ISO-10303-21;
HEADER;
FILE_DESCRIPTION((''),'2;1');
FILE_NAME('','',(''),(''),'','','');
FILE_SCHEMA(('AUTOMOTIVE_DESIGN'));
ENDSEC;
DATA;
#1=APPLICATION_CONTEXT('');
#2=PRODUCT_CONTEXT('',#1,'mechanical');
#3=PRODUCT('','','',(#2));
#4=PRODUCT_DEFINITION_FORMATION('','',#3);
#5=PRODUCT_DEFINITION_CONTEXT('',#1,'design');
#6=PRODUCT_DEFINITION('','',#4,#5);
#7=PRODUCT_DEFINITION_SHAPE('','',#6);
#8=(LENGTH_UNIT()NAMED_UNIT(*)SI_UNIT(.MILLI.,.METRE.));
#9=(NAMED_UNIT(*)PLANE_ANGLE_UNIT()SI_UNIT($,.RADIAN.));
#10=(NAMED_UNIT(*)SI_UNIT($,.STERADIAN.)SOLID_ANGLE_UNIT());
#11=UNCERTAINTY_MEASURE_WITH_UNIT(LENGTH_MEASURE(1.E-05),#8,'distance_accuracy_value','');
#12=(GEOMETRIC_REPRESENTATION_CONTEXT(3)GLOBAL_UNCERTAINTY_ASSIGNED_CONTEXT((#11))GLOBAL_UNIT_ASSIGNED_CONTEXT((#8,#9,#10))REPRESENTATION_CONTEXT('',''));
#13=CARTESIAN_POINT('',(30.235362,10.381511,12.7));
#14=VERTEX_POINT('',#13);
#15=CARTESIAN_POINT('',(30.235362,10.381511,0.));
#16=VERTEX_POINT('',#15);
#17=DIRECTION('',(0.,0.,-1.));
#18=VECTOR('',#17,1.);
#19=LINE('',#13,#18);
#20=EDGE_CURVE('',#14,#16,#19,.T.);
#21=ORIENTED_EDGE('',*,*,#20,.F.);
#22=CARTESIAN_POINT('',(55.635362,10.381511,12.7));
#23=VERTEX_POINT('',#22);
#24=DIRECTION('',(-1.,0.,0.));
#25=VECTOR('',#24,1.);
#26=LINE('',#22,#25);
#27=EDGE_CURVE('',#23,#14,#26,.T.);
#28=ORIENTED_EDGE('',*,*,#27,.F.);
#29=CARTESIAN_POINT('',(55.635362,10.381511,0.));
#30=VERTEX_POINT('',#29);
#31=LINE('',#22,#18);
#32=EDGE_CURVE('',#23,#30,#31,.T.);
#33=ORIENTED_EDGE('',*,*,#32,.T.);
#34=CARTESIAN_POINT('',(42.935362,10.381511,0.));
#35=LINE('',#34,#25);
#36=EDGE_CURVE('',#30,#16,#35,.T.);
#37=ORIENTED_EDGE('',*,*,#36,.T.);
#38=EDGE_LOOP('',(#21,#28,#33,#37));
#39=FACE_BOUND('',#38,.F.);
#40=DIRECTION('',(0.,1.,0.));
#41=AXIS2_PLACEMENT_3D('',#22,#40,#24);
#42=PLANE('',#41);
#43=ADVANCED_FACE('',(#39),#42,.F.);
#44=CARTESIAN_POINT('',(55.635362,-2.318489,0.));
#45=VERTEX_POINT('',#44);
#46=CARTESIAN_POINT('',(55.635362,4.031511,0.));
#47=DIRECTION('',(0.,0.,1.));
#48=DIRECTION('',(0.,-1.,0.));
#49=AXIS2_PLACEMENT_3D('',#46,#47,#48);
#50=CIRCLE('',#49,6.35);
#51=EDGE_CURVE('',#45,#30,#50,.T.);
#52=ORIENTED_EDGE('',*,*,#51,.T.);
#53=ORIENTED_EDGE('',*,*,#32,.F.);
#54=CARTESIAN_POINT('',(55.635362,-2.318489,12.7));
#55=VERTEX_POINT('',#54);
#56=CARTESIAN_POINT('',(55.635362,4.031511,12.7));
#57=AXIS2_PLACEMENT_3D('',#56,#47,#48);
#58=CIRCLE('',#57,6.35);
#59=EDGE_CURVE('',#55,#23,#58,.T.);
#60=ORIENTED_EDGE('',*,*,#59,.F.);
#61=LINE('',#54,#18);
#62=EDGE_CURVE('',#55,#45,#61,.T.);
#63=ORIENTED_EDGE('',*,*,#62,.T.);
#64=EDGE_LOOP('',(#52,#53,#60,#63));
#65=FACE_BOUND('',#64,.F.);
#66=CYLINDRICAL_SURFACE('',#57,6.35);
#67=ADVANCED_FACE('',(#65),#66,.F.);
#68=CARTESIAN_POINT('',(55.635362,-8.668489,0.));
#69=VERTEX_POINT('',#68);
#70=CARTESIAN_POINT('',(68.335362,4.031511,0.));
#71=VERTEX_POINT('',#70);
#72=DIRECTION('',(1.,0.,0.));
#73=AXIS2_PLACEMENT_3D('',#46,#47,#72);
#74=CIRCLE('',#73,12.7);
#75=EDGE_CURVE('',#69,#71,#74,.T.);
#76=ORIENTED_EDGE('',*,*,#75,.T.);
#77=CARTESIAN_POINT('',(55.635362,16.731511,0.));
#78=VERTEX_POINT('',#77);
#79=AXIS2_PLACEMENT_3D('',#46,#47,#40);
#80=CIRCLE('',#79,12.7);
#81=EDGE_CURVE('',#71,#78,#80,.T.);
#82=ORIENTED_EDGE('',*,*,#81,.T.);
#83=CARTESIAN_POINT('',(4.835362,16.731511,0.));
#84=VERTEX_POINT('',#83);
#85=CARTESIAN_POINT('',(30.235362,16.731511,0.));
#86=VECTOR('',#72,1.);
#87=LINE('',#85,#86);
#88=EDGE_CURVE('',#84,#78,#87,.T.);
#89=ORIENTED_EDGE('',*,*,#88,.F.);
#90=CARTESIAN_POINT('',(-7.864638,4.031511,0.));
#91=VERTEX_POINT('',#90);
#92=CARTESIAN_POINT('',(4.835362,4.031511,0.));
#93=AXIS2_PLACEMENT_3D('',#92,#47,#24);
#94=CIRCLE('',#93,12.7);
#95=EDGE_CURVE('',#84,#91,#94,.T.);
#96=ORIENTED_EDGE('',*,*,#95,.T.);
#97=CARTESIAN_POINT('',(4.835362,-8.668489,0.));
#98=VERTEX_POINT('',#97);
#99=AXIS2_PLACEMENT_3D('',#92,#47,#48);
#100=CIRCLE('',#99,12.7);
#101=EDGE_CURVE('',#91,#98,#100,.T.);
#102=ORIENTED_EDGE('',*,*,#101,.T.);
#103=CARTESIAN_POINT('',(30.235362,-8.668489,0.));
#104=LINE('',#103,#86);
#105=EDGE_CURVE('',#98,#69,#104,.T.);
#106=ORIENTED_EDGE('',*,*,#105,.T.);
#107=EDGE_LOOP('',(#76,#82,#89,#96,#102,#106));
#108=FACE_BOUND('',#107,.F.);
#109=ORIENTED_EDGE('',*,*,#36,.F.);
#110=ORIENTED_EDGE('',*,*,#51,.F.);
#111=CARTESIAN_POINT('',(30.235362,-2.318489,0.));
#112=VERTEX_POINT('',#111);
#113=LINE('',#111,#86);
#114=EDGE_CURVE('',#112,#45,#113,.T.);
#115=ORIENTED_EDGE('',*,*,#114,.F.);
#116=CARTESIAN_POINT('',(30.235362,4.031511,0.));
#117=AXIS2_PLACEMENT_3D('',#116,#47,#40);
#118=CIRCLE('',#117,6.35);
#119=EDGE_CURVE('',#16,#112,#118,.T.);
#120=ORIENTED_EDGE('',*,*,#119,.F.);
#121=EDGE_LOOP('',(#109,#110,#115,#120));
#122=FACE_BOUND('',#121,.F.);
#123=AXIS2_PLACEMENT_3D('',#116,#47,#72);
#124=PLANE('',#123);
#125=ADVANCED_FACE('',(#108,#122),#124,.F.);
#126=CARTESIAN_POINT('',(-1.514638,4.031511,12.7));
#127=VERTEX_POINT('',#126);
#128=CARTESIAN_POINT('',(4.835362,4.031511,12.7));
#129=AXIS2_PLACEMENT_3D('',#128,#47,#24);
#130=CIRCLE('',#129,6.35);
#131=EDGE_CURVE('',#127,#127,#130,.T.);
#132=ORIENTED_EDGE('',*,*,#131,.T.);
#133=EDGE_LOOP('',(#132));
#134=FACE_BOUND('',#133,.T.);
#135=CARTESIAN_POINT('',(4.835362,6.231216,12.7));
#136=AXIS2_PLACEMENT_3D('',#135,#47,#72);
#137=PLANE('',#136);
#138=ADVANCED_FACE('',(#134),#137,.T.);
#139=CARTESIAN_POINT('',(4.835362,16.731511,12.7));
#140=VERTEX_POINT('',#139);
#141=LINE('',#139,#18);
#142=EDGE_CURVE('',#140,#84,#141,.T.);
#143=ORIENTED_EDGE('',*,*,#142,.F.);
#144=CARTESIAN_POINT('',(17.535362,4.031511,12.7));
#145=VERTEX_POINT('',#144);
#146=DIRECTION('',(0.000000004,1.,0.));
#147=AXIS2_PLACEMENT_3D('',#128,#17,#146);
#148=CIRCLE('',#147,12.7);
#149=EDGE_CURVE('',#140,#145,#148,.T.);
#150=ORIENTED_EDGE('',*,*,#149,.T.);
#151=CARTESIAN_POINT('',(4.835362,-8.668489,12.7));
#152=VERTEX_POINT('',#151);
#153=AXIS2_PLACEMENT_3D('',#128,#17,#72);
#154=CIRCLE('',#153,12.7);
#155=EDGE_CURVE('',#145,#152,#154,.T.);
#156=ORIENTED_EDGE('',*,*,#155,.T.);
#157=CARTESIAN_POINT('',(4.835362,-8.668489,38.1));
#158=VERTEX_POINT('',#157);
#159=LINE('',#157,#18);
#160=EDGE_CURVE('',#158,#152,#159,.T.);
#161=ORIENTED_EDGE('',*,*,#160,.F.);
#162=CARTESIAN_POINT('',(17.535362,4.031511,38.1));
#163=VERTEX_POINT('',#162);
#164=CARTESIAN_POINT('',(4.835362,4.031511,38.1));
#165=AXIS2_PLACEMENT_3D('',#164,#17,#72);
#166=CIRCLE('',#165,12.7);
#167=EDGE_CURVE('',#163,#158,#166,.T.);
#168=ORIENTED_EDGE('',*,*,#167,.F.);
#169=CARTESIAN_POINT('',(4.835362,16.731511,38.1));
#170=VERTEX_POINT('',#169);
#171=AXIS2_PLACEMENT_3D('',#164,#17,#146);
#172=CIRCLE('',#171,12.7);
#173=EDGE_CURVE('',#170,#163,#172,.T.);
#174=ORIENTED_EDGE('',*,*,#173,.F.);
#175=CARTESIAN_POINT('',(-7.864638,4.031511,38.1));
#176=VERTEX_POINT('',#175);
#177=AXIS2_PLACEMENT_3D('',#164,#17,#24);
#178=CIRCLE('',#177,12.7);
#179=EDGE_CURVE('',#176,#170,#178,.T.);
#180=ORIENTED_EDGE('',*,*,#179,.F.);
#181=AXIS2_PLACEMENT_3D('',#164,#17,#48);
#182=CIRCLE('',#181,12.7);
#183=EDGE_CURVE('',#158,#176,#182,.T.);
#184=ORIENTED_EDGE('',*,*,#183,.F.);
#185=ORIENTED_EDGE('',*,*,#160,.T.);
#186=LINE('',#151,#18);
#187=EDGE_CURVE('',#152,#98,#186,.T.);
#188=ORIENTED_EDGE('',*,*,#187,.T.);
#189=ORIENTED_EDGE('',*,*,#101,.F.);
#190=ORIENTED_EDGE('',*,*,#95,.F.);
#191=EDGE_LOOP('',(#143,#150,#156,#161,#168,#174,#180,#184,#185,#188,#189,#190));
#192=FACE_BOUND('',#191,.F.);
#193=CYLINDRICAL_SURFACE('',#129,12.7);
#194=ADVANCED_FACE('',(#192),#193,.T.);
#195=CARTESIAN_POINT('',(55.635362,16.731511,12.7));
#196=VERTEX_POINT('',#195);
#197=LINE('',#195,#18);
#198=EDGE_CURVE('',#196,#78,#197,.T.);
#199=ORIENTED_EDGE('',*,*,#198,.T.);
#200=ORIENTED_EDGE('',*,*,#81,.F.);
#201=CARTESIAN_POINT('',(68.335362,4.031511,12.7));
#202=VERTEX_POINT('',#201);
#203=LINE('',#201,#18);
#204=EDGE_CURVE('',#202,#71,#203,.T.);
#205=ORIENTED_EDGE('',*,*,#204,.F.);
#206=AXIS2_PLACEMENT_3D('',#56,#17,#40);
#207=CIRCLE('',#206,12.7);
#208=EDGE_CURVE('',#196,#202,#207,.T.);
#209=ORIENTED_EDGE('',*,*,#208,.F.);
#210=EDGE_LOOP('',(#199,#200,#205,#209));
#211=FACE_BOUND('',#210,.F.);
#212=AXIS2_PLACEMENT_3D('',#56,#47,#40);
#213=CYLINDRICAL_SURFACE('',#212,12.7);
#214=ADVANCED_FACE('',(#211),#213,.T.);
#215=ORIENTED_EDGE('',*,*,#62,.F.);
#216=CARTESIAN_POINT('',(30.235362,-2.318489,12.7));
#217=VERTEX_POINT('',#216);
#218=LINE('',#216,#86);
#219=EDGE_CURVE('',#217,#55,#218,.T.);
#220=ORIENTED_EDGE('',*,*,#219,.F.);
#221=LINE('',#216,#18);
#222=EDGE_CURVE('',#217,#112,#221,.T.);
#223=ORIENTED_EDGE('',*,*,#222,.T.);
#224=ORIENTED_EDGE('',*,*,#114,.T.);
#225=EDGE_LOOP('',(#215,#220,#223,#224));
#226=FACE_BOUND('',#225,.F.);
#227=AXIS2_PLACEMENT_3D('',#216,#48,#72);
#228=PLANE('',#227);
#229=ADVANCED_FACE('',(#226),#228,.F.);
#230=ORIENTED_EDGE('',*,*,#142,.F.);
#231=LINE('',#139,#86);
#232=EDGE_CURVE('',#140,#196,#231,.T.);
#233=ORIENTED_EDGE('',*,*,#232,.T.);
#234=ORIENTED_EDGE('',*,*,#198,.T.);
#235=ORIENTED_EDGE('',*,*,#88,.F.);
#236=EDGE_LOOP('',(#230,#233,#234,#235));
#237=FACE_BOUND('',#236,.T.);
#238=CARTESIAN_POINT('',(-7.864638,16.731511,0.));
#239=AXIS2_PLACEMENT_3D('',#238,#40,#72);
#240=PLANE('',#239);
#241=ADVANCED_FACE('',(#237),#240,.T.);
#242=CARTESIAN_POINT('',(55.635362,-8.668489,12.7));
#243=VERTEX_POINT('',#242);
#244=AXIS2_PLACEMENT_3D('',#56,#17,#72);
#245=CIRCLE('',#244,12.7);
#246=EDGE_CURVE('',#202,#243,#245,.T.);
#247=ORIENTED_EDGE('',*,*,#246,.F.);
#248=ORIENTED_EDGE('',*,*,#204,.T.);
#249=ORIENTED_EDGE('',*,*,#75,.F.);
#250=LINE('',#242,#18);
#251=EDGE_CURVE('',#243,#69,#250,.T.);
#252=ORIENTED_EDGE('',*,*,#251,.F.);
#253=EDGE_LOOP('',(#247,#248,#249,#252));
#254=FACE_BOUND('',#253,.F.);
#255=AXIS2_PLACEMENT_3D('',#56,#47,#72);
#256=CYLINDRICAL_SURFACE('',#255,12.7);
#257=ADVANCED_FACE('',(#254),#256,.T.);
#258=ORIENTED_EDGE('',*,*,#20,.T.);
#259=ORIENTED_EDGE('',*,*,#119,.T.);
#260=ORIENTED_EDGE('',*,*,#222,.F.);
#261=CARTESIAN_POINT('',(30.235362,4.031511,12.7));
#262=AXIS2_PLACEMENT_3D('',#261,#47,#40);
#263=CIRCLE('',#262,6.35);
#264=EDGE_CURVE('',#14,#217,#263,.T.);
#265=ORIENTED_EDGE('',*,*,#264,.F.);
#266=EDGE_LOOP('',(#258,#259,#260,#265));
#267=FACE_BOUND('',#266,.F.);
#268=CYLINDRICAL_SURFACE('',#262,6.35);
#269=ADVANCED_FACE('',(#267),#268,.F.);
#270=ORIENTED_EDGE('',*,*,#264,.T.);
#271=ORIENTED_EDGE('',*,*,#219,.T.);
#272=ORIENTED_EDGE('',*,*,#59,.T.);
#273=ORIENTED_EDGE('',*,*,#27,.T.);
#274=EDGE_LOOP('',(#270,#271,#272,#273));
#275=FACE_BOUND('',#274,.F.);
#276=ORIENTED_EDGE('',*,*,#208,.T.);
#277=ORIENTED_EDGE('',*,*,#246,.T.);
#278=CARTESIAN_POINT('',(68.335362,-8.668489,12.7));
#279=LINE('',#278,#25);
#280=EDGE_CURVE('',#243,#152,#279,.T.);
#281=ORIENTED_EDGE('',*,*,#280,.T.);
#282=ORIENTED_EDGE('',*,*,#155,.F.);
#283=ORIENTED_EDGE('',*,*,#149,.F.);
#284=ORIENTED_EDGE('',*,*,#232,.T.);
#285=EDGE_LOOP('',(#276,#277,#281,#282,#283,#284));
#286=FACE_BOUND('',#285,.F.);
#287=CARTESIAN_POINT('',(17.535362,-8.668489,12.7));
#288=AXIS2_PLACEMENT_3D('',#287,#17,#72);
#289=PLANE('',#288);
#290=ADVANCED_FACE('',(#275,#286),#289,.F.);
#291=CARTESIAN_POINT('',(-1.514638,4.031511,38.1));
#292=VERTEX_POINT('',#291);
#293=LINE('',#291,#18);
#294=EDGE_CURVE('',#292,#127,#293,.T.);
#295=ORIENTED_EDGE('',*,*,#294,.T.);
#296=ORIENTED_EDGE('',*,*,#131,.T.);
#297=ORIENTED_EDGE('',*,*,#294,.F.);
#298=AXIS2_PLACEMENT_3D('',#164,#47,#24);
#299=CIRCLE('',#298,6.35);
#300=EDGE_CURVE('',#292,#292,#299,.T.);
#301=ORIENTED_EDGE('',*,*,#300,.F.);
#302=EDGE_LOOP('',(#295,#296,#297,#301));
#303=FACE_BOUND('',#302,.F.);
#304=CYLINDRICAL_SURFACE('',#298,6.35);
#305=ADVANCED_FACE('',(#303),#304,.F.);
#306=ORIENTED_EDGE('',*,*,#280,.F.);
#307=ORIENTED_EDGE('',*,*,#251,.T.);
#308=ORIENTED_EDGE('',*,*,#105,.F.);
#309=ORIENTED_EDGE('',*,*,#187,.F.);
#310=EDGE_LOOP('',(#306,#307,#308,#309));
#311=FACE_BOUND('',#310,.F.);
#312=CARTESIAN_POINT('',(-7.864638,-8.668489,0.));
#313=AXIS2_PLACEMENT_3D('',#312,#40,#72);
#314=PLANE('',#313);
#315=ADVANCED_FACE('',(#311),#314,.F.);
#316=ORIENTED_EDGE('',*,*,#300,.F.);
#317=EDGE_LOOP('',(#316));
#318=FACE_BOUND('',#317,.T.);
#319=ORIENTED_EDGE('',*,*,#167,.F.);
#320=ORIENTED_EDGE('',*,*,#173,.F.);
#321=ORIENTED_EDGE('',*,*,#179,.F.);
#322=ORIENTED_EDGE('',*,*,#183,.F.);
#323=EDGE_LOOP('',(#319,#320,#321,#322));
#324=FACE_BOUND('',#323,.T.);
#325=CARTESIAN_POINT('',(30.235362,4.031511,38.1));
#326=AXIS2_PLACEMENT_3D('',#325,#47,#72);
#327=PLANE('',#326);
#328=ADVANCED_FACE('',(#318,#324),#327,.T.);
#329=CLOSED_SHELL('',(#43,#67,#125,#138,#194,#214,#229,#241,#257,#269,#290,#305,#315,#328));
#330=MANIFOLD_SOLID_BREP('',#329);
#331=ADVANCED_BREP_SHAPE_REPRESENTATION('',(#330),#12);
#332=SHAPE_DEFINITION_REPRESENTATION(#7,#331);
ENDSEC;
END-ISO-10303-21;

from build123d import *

# Parameters (mm, degrees)
F0_W      = 76.2
F0_H      = 25.4
F1_DEPTH  = 38.1
F2_W      = 50.8
F2_H      = 25.4
F3_DEPTH  = 25.4
F5_DEPTH  = 25.4
F7_DEPTH  = 25.4
F8_DEPTH  = 25.4
F10_DEPTH = 25.4
F12_DEPTH = 25.4


with BuildPart() as f1:
    # F0 (on Top) → F1 (new body)
    with BuildSketch(Plane.XY):
        with Locations((30.2353623112, 4.0315114893)):
            Rectangle(F0_W, F0_H)
    extrude(amount=F1_DEPTH)

    # F2 (on face) → F3 (cut)
    with BuildSketch(Plane.XZ.offset(8.6684885107)):
        with Locations((42.9353623112, 25.4)):
            Rectangle(F2_W, F2_H)
    extrude(amount=-F3_DEPTH, mode=Mode.SUBTRACT)

    # F4 (on face) → F5 (cut)
    with BuildSketch(Plane.XY.offset(38.1)):
        with BuildLine():
            ThreePointArc((11.1853623112, 4.0315114893), (4.8353623112, 10.3815114893), (-1.5146376888, 4.0315114893))
            Line((-1.5146376888, 4.0315114893), (11.1853623112, 4.0315114893))
        make_face()
        with BuildLine():
            Line((11.1853623112, 4.0315114893), (-1.5146376888, 4.0315114893))
            ThreePointArc((-1.5146376888, 4.0315114893), (4.8353623112, -2.3184885107), (11.1853623112, 4.0315114893))
        make_face()
    extrude(amount=-F5_DEPTH, mode=Mode.SUBTRACT)

    # F6 (on face) → F7 (cut)
    with BuildSketch(Plane.XY.offset(38.1)):
        with BuildLine():
            ThreePointArc((-7.8646376888, 4.0315114893), (-4.1448937926, 13.0117676276), (4.8353623599, 16.7315114893))
            Line((4.8353623599, 16.7315114893), (-7.8646376888, 16.7315114893))
            Line((-7.8646376888, 16.7315114893), (-7.8646376888, 4.0315114893))
        make_face()
        with BuildLine():
            Line((-7.8646376888, -8.6684885107), (4.8353623112, -8.6684885107))
            ThreePointArc((4.8353623112, -8.6684885107), (-4.1448938098, -4.9487446318), (-7.8646376888, 4.0315114893))
            Line((-7.8646376888, 4.0315114893), (-7.8646376888, -8.6684885107))
        make_face()
        with BuildLine():
            Line((17.5353623112, -8.6684885107), (17.5353623112, 4.0315114893))
            ThreePointArc((17.5353623112, 4.0315114893), (13.8156184323, -4.9487446318), (4.8353623112, -8.6684885107))
            Line((4.8353623112, -8.6684885107), (17.5353623112, -8.6684885107))
        make_face()
        with BuildLine():
            ThreePointArc((4.8353623599, 16.7315114893), (13.8156184495, 13.0117675932), (17.5353623112, 4.0315114893))
            Line((17.5353623112, 4.0315114893), (17.5353623112, 16.7315114893))
            Line((17.5353623112, 16.7315114893), (4.8353623599, 16.7315114893))
        make_face()
    extrude(amount=-F7_DEPTH, mode=Mode.SUBTRACT)

    # F8 (cut): faces of the model
    f8_faces = [f1.faces().sort_by_distance(p)[0] for p in [
        (-5.0278648642, 13.8947386647, 12.7),
        (-5.0278648642, -5.8317156861, 12.7),
    ]]
    extrude(f8_faces, amount=-F8_DEPTH, mode=Mode.SUBTRACT)

    # F9 (on face) → F10 (cut)
    with BuildSketch(Plane.XY.offset(12.7)):
        with BuildLine():
            Line((30.2353623112, -2.3184885107), (55.6353623112, -2.3184885107))
            ThreePointArc((55.6353623112, -2.3184885107), (61.9853623112, 4.0315114893), (55.6353623112, 10.3815114893))
            Line((55.6353623112, 10.3815114893), (30.2353623112, 10.3815114893))
            ThreePointArc((30.2353623112, 10.3815114893), (23.8853623112, 4.0315114893), (30.2353623112, -2.3184885107))
        make_face()
    extrude(amount=-F10_DEPTH, mode=Mode.SUBTRACT)

    # F11 (on face) → F12 (cut)
    with BuildSketch(Plane.XY.offset(12.7)):
        with BuildLine():
            ThreePointArc((55.6353623112, 16.7315114893), (64.6156184323, 13.0117676104), (68.3353623112, 4.0315114893))
            Line((68.3353623112, 4.0315114893), (68.3353623112, 16.7315114893))
            Line((68.3353623112, 16.7315114893), (55.6353623112, 16.7315114893))
        make_face()
        with BuildLine():
            Line((68.3353623112, -8.6684885107), (68.3353623112, 4.0315114893))
            ThreePointArc((68.3353623112, 4.0315114893), (64.6156183701, -4.948744694), (55.6353621352, -8.6684885107))
            Line((55.6353621352, -8.6684885107), (68.3353623112, -8.6684885107))
        make_face()
    extrude(amount=-F12_DEPTH, mode=Mode.SUBTRACT)


solid = f1.part
